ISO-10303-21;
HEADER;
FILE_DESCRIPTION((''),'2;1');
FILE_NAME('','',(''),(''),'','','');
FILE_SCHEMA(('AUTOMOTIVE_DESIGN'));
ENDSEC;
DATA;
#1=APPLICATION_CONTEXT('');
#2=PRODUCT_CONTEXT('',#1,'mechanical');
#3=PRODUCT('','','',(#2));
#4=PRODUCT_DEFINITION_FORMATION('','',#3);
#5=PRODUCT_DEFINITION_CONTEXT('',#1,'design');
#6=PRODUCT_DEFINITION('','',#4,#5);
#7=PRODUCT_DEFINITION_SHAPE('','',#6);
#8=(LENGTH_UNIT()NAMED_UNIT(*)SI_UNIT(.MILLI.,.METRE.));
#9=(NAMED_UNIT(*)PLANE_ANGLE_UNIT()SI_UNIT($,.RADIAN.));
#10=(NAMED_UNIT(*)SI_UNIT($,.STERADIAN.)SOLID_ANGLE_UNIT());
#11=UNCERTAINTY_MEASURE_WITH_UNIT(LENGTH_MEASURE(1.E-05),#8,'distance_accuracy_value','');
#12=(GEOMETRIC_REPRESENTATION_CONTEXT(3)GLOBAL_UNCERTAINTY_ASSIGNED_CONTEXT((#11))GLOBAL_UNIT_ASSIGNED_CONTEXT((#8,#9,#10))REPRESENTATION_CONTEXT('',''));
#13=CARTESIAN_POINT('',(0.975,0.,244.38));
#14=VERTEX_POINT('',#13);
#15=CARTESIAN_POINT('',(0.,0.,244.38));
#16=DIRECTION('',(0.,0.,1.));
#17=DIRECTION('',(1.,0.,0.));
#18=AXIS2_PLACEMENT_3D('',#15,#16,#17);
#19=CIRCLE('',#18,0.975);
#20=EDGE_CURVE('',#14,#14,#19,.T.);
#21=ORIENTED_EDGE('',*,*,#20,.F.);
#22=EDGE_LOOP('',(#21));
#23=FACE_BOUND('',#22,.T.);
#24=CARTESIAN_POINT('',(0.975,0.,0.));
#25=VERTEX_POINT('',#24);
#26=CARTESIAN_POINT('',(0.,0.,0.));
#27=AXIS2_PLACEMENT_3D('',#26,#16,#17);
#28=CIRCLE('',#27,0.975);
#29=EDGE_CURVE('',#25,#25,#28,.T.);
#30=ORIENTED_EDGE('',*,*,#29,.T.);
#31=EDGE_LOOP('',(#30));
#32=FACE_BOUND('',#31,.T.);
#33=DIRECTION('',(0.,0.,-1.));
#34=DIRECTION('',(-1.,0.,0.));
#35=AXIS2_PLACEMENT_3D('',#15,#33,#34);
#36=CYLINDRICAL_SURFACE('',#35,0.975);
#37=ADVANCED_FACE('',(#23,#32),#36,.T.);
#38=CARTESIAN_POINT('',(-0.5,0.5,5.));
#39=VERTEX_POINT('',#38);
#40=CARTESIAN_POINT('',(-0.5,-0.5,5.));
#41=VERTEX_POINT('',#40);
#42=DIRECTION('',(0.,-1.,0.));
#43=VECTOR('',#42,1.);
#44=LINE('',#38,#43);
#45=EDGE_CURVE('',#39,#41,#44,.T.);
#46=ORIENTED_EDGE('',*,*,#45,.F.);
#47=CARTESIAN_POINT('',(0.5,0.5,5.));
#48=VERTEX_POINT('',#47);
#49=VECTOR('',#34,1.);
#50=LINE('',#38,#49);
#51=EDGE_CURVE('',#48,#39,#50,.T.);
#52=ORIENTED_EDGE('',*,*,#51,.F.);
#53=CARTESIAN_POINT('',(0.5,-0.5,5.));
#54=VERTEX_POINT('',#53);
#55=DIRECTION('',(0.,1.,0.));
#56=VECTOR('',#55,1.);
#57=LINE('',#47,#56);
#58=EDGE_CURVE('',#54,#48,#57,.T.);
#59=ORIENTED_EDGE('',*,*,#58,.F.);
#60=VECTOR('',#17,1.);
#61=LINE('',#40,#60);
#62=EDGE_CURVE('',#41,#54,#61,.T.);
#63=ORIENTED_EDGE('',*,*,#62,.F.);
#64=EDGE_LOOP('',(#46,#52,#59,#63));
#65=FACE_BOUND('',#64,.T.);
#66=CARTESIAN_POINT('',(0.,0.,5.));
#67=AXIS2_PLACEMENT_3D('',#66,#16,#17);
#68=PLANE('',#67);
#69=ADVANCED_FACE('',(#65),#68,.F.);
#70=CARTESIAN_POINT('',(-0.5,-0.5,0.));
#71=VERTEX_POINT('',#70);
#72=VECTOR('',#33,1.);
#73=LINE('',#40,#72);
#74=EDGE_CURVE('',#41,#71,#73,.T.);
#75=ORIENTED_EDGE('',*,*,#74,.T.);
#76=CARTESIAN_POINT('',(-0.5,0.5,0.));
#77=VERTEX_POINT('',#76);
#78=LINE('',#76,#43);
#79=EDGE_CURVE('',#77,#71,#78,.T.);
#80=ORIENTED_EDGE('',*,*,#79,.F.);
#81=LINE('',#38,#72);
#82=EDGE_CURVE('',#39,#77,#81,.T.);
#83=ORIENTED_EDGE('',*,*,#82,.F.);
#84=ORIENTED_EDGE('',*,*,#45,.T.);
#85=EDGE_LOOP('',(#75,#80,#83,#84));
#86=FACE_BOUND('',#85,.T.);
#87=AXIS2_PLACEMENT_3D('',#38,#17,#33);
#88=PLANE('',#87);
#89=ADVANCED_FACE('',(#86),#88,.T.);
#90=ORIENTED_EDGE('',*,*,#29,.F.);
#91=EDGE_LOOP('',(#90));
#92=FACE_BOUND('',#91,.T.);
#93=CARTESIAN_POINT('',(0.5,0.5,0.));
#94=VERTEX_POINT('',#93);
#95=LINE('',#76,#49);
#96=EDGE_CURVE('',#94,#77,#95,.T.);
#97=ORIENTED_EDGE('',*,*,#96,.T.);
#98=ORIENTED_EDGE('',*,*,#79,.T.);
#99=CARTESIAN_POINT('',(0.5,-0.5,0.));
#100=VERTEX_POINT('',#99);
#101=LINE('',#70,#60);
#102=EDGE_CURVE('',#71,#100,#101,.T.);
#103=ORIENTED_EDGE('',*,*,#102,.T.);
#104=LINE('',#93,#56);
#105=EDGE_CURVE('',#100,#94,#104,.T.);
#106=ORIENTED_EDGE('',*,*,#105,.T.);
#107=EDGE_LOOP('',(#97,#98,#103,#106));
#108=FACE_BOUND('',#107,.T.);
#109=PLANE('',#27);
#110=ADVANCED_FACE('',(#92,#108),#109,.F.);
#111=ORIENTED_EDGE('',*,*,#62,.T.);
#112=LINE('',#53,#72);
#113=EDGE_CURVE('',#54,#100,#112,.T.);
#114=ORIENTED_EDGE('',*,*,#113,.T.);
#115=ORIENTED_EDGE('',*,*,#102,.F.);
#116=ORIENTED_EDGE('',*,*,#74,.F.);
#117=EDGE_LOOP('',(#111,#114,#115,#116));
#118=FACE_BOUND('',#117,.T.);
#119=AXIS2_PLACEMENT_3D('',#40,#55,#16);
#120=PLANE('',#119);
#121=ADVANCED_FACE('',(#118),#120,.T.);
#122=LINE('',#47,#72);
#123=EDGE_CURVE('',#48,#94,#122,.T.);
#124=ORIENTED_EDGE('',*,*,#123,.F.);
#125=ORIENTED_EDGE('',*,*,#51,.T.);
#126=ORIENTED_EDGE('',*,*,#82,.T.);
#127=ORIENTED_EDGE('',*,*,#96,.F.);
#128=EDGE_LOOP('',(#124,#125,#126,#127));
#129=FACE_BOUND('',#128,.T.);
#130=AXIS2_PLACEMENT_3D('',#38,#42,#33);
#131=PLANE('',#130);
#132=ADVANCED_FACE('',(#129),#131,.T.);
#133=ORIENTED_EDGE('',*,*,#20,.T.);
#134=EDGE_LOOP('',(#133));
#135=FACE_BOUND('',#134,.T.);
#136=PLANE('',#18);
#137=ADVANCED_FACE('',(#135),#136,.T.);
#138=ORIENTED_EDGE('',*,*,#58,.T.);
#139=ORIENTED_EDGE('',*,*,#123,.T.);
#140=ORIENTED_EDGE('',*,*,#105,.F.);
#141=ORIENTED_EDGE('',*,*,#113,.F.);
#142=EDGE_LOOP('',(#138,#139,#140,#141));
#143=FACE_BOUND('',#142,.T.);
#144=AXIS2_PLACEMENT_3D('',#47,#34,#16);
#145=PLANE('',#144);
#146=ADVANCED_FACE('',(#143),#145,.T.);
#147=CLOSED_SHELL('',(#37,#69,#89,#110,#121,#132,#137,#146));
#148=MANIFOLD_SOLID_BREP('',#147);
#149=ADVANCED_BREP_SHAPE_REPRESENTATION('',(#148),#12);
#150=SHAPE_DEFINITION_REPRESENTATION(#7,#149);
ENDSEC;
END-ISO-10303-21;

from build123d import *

# Parameters (mm, degrees)
SKETCH1_R           = 0.975
BOSS_EXTRUDE1_DEPTH = 244.38
SKETCH2_W           = 1
SKETCH2_H           = 1
CUT_EXTRUDE1_DEPTH  = 5


with BuildPart() as part:
    # Sketch1 → Boss-Extrude1 (new body)
    with BuildSketch(Plane.XY):
        Circle(SKETCH1_R)
    extrude(amount=BOSS_EXTRUDE1_DEPTH)

    # Sketch2 → Cut-Extrude1 (cut)
    with BuildSketch(Plane.XY):
        Rectangle(SKETCH2_W, SKETCH2_H)
    extrude(amount=CUT_EXTRUDE1_DEPTH, mode=Mode.SUBTRACT)


solid = part.part
